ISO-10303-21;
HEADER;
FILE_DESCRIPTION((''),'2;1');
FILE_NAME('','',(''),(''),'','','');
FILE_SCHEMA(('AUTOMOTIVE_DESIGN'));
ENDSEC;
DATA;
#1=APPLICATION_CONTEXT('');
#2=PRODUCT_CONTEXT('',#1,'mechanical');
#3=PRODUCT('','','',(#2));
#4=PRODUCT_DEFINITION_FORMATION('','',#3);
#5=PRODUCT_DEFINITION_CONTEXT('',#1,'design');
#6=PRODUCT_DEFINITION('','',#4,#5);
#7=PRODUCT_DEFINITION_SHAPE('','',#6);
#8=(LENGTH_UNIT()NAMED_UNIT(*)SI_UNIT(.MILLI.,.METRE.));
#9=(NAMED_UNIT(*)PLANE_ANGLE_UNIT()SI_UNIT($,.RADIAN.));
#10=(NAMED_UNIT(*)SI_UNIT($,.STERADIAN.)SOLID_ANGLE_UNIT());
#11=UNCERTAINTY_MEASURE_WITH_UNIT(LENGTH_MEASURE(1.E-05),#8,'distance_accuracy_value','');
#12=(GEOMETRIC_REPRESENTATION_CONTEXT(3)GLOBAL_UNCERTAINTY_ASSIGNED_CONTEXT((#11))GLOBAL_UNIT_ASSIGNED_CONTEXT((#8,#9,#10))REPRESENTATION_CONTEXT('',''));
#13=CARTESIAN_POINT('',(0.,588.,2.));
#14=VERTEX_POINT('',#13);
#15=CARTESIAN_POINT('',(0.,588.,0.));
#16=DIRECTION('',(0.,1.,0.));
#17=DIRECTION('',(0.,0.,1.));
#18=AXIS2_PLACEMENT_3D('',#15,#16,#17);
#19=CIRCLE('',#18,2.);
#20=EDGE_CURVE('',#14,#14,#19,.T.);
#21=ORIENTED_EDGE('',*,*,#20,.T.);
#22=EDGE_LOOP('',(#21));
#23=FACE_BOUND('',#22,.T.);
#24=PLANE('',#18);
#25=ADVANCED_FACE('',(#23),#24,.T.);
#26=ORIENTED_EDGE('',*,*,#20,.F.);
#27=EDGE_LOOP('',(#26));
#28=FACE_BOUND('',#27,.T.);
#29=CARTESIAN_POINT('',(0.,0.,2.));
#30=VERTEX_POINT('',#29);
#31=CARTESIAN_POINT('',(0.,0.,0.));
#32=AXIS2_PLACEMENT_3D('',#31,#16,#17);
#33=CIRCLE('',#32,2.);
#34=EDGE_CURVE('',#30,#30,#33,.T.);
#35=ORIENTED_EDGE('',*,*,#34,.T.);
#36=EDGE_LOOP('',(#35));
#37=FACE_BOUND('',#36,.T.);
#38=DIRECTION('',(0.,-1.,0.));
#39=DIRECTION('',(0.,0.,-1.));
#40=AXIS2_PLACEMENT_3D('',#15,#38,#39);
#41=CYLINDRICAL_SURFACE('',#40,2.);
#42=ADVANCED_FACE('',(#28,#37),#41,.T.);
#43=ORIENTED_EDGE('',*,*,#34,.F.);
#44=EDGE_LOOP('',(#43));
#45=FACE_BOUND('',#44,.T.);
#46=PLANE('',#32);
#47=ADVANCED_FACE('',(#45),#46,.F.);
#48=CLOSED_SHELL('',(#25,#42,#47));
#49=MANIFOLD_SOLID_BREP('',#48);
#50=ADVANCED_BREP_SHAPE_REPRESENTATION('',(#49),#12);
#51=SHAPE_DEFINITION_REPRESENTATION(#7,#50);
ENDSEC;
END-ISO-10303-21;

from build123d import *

# Parameters (mm, degrees)
SKETCH1_R           = 2
BOSS_EXTRUDE1_DEPTH = 588


with BuildPart() as part:
    # Sketch1 → Boss-Extrude1 (new body)
    with BuildSketch(Plane(origin=(0, 0, 0), x_dir=(1, 0, 0), z_dir=(0, 1, 0))):
        Circle(SKETCH1_R)
    extrude(amount=BOSS_EXTRUDE1_DEPTH)


solid = part.part
